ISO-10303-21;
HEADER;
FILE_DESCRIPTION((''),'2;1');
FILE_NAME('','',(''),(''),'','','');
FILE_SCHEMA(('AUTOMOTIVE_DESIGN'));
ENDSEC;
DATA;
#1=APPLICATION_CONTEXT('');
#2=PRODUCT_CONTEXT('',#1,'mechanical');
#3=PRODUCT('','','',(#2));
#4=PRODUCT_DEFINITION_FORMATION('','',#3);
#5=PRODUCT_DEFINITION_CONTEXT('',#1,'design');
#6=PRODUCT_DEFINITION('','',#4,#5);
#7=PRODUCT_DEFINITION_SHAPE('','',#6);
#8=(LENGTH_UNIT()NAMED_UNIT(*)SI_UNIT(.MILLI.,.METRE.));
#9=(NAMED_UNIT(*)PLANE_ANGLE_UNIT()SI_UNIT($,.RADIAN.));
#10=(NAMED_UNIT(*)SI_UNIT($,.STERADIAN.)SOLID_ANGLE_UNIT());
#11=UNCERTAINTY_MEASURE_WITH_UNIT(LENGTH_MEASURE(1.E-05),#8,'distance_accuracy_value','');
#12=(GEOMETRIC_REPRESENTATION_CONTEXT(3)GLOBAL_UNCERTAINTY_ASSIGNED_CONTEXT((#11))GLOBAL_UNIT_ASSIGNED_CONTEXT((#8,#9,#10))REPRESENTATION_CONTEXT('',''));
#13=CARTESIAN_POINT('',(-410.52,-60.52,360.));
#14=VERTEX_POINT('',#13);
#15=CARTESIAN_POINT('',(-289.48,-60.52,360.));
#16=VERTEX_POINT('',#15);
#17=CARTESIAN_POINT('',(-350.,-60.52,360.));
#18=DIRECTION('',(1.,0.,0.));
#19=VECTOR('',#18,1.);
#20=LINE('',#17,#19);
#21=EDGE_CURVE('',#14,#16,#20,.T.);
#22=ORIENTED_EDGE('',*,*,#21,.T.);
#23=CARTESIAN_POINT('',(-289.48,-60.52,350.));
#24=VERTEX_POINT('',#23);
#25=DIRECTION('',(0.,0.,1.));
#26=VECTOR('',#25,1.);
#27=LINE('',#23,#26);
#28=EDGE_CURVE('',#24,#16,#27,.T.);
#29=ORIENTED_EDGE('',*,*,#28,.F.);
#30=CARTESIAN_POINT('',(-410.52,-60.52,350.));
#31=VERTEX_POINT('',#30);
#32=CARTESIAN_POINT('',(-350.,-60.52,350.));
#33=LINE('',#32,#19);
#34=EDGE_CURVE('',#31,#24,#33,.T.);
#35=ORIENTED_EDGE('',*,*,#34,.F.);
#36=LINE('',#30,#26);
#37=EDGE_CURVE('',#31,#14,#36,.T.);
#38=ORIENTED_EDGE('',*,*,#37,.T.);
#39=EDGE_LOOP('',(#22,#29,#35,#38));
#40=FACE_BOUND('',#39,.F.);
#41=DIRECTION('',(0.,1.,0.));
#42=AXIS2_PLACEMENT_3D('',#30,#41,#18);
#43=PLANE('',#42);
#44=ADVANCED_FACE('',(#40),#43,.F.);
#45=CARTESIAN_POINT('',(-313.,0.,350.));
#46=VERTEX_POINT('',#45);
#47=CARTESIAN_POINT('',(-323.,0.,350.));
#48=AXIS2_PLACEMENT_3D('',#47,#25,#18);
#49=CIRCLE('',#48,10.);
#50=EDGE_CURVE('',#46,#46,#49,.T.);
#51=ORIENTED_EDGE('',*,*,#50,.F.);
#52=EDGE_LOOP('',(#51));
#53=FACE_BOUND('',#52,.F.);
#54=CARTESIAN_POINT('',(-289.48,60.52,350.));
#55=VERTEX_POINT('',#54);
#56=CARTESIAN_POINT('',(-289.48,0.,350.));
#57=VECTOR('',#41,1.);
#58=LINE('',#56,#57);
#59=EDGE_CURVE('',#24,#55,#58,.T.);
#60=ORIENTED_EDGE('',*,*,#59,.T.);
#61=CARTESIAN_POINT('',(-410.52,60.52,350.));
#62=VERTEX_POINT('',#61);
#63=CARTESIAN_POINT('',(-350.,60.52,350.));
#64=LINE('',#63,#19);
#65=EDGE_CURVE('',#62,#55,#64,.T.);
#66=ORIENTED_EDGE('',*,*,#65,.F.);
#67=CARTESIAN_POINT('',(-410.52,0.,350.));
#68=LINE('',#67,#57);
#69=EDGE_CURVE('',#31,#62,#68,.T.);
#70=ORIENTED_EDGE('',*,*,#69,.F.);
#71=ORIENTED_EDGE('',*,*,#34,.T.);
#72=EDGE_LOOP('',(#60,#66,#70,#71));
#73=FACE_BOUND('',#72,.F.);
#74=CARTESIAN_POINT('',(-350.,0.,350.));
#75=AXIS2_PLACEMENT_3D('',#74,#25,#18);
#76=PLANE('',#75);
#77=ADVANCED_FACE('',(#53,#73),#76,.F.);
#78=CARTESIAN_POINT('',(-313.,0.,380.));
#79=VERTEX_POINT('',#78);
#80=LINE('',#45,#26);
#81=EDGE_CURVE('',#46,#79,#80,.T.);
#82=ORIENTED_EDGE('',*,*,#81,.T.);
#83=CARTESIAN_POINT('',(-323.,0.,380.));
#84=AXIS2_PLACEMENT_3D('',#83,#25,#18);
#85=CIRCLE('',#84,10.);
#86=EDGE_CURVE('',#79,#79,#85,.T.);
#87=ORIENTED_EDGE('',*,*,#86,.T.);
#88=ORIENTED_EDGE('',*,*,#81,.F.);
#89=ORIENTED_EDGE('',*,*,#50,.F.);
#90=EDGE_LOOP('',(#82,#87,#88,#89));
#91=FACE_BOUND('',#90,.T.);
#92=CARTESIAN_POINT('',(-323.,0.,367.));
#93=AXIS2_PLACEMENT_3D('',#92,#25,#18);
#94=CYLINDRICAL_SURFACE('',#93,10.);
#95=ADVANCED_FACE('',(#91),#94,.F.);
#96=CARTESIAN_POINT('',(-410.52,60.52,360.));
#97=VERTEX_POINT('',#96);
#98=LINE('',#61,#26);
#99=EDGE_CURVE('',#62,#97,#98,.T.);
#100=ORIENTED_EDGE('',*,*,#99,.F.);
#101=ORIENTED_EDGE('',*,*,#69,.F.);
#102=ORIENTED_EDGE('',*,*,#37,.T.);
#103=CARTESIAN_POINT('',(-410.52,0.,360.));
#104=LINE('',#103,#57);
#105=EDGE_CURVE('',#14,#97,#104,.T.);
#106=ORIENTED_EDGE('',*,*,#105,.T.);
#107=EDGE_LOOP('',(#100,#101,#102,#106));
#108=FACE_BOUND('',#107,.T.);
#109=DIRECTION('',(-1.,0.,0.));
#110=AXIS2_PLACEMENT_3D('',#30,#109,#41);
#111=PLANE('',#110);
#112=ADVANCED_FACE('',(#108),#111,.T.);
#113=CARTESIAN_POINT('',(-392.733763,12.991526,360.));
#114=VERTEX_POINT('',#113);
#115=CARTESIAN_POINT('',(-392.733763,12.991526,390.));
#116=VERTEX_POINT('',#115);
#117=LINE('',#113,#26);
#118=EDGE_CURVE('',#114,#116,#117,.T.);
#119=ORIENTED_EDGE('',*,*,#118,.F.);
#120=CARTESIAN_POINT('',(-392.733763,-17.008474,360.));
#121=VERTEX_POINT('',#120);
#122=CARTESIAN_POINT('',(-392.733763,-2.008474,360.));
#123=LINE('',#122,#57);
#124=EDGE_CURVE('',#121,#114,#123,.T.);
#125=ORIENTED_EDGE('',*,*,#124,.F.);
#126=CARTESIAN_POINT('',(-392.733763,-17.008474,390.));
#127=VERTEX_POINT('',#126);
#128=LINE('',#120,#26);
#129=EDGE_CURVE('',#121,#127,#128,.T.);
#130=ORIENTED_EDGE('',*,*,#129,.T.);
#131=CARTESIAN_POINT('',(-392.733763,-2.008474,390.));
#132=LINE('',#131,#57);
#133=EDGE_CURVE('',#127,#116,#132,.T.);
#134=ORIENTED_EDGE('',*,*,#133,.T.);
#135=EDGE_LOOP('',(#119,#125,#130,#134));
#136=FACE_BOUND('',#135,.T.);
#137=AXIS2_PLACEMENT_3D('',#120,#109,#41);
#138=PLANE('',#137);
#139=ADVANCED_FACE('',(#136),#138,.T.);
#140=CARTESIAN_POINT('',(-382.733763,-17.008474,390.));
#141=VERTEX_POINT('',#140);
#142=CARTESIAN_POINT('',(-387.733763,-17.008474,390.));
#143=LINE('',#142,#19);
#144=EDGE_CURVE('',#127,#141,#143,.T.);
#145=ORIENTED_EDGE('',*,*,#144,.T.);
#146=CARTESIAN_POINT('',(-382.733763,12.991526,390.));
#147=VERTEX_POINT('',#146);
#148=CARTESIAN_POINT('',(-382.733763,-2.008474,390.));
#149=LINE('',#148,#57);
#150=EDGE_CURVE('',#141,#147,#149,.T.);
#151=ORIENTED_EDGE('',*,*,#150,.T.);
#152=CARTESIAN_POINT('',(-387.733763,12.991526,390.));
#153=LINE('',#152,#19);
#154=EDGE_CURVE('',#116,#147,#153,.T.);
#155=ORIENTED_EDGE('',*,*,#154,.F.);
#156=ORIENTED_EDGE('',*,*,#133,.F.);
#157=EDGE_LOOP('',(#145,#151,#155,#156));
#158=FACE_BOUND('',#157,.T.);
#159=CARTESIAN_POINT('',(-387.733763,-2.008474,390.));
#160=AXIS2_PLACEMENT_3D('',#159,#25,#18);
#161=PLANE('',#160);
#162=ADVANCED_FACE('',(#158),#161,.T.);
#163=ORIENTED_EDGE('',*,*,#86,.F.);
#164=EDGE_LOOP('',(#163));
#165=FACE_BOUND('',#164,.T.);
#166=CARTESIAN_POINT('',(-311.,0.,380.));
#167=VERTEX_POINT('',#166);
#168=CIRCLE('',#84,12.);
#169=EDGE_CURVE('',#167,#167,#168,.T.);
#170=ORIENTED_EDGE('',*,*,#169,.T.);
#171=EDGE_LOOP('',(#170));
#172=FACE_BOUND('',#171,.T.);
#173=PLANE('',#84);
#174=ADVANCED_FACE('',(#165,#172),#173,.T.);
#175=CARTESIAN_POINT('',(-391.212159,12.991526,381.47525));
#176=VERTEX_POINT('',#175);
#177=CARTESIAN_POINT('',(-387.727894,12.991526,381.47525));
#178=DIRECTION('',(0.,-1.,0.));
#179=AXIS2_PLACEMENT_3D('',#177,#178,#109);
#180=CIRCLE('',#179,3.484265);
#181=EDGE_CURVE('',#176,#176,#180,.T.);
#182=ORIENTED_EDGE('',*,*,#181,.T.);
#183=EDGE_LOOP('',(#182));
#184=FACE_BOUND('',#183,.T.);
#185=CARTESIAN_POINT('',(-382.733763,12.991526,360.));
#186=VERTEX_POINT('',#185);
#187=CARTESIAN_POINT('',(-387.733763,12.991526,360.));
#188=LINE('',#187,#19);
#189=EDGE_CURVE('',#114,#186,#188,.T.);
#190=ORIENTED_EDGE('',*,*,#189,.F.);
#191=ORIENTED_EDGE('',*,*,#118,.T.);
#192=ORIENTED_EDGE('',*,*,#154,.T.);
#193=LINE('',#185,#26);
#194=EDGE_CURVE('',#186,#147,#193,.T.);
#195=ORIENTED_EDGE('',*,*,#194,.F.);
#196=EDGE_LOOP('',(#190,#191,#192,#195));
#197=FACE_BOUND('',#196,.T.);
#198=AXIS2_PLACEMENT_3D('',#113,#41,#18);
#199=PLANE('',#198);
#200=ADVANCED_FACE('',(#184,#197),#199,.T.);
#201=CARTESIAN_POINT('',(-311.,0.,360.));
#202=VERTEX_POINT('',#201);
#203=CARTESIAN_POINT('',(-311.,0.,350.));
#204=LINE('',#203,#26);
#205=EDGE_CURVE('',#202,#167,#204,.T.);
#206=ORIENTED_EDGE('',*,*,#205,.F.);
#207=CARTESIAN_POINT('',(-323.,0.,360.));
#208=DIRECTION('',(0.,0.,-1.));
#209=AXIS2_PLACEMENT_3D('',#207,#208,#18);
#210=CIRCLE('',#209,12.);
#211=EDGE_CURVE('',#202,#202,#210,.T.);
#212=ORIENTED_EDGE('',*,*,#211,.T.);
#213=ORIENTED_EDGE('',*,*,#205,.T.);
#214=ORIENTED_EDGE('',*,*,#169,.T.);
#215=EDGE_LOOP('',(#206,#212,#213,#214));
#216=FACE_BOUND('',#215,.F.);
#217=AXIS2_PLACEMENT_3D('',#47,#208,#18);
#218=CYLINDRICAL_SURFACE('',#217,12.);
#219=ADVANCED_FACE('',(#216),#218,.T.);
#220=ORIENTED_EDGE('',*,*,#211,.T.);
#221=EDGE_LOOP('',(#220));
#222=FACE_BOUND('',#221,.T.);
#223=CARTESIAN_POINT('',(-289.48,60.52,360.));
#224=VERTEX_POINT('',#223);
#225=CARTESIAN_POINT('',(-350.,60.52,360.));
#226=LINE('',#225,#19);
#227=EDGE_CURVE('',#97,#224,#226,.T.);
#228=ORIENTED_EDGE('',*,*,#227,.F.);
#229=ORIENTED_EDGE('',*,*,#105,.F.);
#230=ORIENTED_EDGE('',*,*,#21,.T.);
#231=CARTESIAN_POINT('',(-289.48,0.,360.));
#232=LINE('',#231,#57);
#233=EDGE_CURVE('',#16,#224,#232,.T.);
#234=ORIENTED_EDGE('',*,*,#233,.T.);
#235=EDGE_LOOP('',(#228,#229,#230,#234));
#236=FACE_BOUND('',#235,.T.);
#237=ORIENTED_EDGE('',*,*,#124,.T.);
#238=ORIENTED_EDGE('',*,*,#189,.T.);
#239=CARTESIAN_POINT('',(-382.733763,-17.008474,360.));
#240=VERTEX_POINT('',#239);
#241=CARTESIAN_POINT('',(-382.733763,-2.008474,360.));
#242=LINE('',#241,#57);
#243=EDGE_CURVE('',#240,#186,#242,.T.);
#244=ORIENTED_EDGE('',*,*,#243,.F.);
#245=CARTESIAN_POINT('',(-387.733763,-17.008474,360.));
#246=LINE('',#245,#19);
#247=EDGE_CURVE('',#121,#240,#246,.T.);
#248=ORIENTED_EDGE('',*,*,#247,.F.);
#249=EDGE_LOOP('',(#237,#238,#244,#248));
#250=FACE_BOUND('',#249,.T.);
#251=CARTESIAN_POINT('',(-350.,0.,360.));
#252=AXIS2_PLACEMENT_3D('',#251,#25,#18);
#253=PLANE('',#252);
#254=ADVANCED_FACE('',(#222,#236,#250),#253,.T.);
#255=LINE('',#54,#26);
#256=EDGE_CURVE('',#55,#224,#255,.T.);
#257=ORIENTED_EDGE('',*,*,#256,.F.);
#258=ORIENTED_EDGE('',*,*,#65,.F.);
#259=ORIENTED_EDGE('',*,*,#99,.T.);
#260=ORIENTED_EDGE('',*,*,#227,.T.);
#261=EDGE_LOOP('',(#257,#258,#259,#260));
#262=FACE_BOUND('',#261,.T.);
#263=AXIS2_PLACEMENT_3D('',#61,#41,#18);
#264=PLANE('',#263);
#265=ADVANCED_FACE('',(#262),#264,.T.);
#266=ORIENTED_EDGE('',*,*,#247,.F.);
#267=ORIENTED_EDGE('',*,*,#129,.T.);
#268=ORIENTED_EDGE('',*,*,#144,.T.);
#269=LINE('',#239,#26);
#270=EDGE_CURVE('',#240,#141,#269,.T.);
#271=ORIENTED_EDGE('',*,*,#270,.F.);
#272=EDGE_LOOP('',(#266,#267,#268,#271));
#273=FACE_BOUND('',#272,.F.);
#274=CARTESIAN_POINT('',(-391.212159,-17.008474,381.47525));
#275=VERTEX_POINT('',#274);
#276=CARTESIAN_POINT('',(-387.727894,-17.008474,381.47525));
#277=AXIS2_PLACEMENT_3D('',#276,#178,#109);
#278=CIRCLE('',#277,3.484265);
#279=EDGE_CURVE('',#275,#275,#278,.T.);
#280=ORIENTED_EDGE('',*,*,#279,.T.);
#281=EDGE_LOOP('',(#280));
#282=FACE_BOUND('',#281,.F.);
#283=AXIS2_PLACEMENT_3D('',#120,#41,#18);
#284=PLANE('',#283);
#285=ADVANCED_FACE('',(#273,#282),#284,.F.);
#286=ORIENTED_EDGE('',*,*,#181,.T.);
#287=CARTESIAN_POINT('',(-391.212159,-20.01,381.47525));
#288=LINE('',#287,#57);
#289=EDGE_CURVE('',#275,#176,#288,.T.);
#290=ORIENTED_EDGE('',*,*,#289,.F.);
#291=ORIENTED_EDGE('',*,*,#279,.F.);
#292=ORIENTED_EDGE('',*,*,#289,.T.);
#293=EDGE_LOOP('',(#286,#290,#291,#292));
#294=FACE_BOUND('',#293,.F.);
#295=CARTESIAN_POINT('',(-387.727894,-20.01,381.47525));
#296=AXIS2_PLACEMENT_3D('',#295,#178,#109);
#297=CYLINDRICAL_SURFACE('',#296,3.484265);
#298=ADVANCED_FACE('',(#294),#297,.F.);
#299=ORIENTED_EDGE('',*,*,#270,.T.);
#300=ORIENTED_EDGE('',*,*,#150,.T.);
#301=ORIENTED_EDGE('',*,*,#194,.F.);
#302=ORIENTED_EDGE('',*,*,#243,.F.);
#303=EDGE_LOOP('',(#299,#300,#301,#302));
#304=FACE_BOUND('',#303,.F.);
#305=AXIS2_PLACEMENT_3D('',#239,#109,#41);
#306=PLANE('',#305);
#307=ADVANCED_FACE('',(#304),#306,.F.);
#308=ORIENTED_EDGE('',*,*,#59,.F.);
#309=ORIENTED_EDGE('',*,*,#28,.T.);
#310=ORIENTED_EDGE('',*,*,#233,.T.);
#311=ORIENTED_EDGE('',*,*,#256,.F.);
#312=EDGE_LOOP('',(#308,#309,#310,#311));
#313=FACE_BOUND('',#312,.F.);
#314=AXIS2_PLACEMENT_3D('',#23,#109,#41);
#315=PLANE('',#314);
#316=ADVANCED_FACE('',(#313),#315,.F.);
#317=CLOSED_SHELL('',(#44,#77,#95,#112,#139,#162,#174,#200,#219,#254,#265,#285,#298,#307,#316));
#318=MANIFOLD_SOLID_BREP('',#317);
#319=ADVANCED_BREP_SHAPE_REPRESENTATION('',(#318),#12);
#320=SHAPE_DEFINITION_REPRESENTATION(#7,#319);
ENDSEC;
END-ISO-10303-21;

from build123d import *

# Parameters (mm, degrees)
TUBE_R            = 12
TUBE_R_2          = 10
TUBE_DEPTH        = 30
SKETCH004_W       = 121.04
SKETCH004_H       = 121.04
PAD002_DEPTH      = 10
CYLINDER001_R     = 10
CYLINDER001_DEPTH = 23
SKETCH012_W       = 10
SKETCH012_H       = 30
PAD003_DEPTH      = 30
SKETCH014_R       = 3.484265
POCKET001_DEPTH   = 80.531


with BuildPart() as tube:
    # Tube → Tube (new body)
    with BuildSketch(Plane(origin=(27, 0, 350), x_dir=(1, 0, 0), z_dir=(0, 0, 1))):
        Circle(TUBE_R)
        Circle(TUBE_R_2, mode=Mode.SUBTRACT)
    extrude(amount=TUBE_DEPTH)


with BuildPart() as fusion001:
    # Sketch004 → Pad002 (new body)
    with BuildSketch(Plane.XY.offset(350)):
        Rectangle(SKETCH004_W, SKETCH004_H)
    extrude(amount=PAD002_DEPTH)

    # Cylinder001 → Cylinder001 (cut)
    with BuildSketch(Plane(origin=(27, 0, 367), x_dir=(1, 0, 0), z_dir=(0, 0, -1))):
        Circle(CYLINDER001_R)
    extrude(amount=CYLINDER001_DEPTH, mode=Mode.SUBTRACT)

    # Sketch012 (on Face5 of Cylinder001) → Pad003 (join)
    with BuildSketch(Plane(origin=(27, 3, 360), x_dir=(1, 0, 0), z_dir=(0, 0, 1))):
        with Locations((-64.733763, -5.008474)):
            Rectangle(SKETCH012_W, SKETCH012_H)
    extrude(amount=PAD003_DEPTH)

    # Sketch014 → Pocket001 (cut, through all)
    with BuildSketch(Plane(origin=(27, -20.01, 380), x_dir=(-1, 0, 0), z_dir=(0, -1, 0))):
        with Locations((64.727894, -1.47525)):
            Circle(SKETCH014_R)
    extrude(amount=-POCKET001_DEPTH, mode=Mode.SUBTRACT)

    # Fusion001: union Tube
    add(tube.part)


with BuildPart() as fusion001_1:
    # Fusion001 placement: moved
    add(fusion001.part.moved(Location((-350, 0, 0))))


solid = fusion001_1.part
